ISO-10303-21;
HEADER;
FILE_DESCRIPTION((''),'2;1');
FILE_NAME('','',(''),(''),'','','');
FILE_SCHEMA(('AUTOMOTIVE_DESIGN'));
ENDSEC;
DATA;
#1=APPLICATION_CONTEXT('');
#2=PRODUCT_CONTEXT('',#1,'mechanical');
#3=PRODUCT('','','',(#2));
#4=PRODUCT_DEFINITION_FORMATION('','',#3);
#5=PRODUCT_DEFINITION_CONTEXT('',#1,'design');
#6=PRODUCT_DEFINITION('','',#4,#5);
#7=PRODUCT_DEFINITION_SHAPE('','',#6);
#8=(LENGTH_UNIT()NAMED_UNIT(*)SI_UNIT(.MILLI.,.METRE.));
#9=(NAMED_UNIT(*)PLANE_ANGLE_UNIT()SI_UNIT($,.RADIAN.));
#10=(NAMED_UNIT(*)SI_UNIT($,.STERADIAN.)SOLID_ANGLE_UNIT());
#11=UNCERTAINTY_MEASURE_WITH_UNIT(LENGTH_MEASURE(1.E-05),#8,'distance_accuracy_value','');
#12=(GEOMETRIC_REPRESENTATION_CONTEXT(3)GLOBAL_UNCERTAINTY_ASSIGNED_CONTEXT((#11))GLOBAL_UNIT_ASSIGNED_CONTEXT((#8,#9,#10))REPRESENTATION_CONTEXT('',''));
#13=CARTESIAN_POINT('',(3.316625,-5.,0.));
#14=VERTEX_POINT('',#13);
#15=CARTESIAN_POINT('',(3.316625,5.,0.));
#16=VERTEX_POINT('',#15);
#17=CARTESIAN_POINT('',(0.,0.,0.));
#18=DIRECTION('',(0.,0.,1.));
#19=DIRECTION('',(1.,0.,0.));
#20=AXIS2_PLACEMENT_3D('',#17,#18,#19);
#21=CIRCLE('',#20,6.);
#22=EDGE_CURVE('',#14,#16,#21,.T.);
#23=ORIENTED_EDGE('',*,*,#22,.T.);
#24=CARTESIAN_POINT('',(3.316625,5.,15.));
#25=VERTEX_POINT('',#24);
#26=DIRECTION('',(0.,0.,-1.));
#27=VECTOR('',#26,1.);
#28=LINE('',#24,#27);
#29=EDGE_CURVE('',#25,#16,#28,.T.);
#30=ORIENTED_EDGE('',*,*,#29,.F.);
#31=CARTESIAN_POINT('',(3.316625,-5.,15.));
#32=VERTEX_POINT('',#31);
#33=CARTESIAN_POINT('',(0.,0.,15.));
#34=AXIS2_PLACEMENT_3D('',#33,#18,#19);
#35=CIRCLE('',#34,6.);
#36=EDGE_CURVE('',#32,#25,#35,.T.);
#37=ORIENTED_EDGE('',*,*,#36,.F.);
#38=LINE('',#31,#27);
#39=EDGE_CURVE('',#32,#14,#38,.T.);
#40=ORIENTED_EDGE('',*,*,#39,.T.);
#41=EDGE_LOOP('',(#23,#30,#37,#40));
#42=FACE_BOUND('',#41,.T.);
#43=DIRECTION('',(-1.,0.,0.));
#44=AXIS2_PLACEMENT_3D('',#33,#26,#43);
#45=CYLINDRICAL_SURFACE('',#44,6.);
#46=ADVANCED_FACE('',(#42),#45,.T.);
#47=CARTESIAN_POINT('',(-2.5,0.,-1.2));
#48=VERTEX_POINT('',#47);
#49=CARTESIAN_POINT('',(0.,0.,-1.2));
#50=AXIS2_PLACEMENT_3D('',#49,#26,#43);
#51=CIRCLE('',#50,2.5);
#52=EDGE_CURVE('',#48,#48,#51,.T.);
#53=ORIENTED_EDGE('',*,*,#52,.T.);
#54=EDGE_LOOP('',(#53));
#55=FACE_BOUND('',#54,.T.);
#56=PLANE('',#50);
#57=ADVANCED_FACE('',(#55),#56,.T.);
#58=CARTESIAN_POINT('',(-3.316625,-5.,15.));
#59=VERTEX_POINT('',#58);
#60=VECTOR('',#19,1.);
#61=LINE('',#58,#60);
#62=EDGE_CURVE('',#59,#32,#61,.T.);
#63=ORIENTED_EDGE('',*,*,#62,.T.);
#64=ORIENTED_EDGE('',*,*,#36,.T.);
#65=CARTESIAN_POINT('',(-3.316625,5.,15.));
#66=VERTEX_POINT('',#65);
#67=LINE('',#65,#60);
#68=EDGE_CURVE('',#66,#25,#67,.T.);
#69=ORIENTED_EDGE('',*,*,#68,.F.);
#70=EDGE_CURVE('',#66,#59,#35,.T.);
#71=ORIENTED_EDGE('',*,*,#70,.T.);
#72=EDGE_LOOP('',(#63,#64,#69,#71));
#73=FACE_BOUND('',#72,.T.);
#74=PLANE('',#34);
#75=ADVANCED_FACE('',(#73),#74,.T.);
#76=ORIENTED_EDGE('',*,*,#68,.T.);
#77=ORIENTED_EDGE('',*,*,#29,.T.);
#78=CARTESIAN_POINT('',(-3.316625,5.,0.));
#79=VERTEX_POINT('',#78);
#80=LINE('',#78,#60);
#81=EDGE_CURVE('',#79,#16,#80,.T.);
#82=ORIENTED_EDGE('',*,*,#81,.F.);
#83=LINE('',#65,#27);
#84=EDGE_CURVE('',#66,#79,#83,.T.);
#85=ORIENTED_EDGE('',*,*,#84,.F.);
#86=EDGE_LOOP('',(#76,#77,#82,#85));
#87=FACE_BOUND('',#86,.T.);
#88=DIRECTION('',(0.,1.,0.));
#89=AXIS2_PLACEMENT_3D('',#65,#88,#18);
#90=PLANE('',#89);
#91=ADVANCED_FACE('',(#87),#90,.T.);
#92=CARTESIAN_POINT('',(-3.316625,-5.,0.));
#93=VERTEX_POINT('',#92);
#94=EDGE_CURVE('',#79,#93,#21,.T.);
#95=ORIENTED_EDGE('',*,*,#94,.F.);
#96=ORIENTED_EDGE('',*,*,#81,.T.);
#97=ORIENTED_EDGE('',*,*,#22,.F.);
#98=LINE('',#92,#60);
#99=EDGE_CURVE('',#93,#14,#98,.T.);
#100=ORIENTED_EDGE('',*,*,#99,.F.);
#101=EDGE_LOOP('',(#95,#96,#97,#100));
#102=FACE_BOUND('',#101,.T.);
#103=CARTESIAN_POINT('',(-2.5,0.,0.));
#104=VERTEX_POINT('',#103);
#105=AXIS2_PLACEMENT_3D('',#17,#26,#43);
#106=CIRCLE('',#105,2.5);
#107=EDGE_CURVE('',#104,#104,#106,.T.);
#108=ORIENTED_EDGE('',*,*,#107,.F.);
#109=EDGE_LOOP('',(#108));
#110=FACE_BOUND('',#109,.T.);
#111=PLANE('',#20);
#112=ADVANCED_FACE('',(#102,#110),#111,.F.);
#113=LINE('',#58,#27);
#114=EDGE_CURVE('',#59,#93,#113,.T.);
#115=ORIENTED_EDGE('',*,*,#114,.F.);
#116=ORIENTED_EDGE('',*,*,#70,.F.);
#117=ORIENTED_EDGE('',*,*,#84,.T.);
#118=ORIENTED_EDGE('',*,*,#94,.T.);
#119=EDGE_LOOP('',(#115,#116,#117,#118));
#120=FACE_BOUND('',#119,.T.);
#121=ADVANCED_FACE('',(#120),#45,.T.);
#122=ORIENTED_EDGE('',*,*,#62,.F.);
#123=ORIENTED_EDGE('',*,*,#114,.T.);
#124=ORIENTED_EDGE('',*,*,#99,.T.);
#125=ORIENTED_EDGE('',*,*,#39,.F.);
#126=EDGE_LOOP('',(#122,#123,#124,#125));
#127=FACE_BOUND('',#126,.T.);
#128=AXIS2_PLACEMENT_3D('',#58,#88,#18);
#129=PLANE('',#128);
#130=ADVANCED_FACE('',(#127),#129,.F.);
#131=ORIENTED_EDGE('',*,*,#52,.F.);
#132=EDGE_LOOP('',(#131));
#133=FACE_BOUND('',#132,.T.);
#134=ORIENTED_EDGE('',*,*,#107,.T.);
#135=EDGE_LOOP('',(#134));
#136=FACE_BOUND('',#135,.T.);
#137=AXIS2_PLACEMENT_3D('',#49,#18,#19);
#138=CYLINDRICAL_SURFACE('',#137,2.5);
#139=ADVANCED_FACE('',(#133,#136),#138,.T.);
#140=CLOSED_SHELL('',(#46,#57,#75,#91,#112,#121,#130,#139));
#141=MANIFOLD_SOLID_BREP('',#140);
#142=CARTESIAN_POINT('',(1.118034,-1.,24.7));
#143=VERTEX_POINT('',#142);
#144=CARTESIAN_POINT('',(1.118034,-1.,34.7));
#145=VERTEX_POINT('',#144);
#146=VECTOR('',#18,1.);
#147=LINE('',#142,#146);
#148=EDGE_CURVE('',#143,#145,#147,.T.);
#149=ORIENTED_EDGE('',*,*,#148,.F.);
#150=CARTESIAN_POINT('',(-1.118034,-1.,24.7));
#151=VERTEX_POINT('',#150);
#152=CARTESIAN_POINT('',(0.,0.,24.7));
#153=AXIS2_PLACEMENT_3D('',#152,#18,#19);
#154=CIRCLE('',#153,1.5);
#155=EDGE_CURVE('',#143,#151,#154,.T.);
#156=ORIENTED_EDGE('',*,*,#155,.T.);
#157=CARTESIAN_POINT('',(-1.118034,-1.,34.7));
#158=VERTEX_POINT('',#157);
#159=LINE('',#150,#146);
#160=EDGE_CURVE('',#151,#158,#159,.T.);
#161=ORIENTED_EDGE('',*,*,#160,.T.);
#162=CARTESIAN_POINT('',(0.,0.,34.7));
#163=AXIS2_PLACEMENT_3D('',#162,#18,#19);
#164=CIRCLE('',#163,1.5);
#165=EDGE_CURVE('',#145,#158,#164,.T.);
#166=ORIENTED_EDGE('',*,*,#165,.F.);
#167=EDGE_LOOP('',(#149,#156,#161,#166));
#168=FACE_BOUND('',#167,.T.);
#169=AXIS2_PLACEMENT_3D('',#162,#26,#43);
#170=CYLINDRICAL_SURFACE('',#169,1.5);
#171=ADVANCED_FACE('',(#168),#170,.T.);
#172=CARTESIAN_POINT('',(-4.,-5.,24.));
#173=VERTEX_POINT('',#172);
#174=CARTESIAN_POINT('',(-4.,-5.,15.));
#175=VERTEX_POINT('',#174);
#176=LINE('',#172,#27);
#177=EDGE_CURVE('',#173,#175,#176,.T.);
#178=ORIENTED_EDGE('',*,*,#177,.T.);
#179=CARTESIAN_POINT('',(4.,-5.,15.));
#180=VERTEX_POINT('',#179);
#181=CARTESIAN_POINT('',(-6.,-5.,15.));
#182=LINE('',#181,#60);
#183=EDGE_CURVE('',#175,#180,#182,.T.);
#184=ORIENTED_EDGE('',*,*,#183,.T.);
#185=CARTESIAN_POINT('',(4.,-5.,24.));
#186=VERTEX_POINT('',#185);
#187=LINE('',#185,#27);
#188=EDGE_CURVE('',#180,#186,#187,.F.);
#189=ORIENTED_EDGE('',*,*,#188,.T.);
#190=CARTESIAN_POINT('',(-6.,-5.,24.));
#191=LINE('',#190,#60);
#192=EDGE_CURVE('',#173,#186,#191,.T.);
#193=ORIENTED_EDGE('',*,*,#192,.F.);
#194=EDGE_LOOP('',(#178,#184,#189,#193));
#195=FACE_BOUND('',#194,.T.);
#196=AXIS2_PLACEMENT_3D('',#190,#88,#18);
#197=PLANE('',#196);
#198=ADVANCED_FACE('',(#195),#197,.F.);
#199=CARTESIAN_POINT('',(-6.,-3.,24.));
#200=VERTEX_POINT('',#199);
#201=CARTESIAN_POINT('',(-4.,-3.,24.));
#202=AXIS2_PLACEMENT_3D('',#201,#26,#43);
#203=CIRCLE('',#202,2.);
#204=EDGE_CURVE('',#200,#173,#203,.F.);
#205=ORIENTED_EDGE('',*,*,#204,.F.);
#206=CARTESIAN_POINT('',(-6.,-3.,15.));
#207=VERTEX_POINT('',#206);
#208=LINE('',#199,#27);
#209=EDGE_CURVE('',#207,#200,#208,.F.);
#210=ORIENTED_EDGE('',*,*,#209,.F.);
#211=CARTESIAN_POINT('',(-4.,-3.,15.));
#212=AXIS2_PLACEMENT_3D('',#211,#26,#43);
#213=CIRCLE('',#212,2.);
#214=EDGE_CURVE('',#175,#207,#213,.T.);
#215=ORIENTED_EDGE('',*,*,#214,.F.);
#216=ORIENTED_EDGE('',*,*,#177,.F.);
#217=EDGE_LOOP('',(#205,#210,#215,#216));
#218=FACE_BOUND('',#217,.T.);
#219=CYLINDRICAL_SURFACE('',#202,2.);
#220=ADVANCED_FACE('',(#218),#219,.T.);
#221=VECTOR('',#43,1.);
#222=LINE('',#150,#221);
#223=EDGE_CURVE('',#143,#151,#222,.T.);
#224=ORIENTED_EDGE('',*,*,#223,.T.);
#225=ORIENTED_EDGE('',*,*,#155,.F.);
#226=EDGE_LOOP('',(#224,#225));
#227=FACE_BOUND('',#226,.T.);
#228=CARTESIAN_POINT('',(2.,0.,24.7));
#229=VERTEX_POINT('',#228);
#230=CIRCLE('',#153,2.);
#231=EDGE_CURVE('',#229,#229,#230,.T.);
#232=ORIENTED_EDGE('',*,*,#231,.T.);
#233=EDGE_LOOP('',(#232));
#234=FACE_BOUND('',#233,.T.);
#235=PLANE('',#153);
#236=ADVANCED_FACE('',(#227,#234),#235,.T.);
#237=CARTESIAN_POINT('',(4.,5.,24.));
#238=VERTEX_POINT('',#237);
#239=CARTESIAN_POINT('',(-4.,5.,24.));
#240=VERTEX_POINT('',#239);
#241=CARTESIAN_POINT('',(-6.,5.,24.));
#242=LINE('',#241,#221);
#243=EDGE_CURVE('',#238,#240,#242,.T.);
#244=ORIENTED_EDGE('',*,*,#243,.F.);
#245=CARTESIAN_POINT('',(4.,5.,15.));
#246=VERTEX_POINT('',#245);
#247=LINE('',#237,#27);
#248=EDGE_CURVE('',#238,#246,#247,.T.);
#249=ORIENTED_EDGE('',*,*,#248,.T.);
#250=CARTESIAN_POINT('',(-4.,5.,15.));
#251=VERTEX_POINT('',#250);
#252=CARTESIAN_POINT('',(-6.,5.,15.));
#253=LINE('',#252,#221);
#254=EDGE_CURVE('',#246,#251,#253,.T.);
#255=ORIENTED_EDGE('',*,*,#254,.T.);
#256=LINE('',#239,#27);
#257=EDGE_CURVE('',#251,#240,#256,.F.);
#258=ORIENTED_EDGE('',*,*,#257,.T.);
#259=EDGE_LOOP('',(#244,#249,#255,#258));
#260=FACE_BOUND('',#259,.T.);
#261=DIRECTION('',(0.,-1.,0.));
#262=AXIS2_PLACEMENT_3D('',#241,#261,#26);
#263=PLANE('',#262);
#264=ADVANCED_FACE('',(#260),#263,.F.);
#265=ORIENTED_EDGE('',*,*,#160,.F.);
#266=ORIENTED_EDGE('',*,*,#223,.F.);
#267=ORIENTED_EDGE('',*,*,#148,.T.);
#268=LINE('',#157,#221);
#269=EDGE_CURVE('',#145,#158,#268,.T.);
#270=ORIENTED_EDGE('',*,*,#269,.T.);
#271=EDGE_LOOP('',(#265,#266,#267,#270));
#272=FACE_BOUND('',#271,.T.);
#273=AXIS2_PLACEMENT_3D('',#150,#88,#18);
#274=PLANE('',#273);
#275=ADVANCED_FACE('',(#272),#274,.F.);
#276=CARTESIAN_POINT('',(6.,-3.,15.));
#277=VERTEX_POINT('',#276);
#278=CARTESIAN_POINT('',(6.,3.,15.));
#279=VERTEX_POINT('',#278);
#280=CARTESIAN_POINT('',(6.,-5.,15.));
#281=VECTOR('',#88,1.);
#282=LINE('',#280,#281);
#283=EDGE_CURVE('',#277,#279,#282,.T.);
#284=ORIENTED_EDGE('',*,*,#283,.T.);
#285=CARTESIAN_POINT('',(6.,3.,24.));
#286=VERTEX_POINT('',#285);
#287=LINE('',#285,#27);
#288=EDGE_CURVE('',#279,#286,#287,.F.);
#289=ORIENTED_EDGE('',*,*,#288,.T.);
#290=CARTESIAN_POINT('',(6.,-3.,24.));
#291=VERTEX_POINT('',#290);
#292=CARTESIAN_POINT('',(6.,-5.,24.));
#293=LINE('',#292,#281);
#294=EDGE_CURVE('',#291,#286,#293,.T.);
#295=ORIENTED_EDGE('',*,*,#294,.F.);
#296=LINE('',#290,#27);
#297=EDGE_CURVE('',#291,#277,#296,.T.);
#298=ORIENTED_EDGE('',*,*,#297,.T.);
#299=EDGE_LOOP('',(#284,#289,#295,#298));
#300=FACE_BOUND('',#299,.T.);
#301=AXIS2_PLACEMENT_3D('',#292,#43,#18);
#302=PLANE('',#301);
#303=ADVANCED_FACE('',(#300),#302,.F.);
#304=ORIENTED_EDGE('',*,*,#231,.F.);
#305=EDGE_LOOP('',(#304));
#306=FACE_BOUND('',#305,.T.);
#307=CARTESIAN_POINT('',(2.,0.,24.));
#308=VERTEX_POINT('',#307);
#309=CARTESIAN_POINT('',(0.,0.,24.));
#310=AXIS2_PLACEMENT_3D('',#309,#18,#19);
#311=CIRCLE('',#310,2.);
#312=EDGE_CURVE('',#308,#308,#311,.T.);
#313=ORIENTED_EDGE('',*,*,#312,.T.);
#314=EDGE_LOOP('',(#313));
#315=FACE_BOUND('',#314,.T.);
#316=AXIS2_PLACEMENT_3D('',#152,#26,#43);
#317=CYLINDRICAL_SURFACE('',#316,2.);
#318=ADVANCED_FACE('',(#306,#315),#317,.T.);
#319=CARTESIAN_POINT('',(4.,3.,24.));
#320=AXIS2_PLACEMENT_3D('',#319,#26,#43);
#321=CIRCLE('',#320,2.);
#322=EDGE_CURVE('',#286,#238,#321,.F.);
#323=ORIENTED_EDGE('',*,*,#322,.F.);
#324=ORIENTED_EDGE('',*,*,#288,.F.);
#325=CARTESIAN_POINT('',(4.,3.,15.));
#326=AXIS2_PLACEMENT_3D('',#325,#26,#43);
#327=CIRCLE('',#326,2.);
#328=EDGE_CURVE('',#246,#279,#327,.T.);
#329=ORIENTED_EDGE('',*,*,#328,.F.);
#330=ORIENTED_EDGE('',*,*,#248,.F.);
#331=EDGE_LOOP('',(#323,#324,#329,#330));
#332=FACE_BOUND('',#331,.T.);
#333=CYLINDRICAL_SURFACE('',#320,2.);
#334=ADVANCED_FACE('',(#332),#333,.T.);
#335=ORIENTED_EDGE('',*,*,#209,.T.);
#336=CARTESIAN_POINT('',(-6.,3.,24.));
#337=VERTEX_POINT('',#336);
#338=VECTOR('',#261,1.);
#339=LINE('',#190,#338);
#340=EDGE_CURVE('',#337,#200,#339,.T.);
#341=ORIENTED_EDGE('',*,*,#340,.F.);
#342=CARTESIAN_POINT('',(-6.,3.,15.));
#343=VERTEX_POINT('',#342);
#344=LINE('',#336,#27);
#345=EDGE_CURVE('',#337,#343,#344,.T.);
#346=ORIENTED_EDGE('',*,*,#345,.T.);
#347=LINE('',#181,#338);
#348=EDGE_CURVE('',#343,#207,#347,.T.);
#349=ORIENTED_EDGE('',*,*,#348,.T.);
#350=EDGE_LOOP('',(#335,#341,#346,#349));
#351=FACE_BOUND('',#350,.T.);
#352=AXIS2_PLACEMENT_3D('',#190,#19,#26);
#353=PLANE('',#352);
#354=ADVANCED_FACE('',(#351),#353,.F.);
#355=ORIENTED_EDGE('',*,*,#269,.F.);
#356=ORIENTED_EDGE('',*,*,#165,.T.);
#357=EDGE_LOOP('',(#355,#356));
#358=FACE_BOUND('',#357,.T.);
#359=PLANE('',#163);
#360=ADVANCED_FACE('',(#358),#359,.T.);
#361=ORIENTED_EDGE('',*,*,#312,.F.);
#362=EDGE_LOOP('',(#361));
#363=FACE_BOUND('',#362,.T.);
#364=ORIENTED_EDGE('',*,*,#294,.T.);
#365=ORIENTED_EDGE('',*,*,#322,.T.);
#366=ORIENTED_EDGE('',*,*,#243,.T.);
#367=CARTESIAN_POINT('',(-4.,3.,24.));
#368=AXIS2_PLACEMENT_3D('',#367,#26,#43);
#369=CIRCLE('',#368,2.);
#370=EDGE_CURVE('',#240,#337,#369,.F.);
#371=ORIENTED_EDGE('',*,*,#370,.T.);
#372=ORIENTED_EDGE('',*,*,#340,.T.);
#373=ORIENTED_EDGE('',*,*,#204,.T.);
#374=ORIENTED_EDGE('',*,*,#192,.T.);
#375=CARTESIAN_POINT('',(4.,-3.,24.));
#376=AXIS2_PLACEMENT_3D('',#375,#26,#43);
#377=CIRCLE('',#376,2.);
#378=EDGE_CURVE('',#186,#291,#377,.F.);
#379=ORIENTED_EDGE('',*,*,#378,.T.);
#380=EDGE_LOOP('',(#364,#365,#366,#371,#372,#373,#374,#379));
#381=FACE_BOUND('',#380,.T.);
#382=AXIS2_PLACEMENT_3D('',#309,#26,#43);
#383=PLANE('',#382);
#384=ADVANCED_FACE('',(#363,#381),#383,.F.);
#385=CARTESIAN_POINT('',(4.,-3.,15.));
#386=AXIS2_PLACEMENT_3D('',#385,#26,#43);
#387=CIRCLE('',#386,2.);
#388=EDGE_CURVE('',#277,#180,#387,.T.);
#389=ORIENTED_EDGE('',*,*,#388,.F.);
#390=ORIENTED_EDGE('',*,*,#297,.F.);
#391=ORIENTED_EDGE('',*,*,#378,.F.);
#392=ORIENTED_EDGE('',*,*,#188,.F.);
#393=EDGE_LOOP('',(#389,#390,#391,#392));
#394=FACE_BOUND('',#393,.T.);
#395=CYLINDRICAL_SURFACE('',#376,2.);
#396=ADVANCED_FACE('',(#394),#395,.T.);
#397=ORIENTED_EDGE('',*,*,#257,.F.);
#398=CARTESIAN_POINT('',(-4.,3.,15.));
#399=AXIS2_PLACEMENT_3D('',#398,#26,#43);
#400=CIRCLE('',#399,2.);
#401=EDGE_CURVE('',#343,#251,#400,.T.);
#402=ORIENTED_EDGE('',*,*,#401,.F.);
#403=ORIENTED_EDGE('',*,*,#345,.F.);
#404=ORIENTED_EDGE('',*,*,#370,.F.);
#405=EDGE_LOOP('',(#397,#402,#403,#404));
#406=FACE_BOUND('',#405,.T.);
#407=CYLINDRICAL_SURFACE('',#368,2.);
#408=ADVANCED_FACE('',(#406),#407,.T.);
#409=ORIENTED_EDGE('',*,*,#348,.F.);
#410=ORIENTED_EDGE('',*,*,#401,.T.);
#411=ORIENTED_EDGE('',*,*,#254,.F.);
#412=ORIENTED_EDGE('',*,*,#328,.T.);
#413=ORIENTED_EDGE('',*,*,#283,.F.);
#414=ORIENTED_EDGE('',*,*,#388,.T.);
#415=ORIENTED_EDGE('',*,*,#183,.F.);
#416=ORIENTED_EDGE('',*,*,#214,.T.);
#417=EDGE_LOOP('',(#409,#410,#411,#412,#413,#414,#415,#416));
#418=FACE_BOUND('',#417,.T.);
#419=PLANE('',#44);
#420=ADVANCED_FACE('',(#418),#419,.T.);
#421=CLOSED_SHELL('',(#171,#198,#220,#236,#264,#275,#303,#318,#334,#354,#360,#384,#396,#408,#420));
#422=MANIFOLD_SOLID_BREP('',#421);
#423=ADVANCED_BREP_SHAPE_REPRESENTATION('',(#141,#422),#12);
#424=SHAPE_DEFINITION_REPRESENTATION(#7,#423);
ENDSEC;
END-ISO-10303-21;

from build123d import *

# Parameters (mm, degrees)
EXTRUDE_406_DEPTH      = 15
SKETCH2_R              = 2.5
EXTRUDE_567_DEPTH      = 1.2
SKETCH5_W              = 12
SKETCH5_H              = 10
EXTRUDE_774_DEPTH      = 9
FILLET_814_R           = 2
SKETCH6_R              = 2
EXTRUDE_1143_DEPTH     = 0.7
SKETCH7_R              = 1.5
EXTRUDE_1228_DEPTH     = 10
CUT_EXTRUDE_1344_DEPTH = 10


with BuildPart() as part:
    # Sketch9 → Extrude 406 (new body)
    with BuildSketch(Plane.XY):
        with BuildLine():
            Line((-3.31662479, 5), (3.31662479, 5))
            ThreePointArc((3.31662479, 5), (6, 0), (3.31662479, -5))
            Line((3.31662479, -5), (-3.31662479, -5))
            ThreePointArc((-3.31662479, -5), (-6, 0), (-3.31662479, 5))
        make_face()
    extrude(amount=EXTRUDE_406_DEPTH)

    # Sketch2 → Extrude 567 (add)
    with BuildSketch(Plane(origin=(0, 0, 0), x_dir=(-1, 0, 0), z_dir=(0, 0, -1))):
        Circle(SKETCH2_R)
    extrude(amount=EXTRUDE_567_DEPTH)


with BuildPart() as body_2:
    # Sketch5 → Extrude 774 (new body)
    with BuildSketch(Plane.XY.offset(15)):
        Rectangle(SKETCH5_W, SKETCH5_H)
    extrude(amount=EXTRUDE_774_DEPTH)

    # Fillet 814
    fillet_814_edges = [body_2.edges().sort_by_distance(p)[0] for p in [
        (6, -5, 19.5),
        (-6, -5, 19.5),
        (-6, 5, 19.5),
        (6, 5, 19.5),
    ]]
    fillet(fillet_814_edges, radius=FILLET_814_R)

    # Sketch6 → Extrude 1143 (add)
    with BuildSketch(Plane.XY.offset(24)):
        Circle(SKETCH6_R)
    extrude(amount=EXTRUDE_1143_DEPTH)

    # Sketch7 → Extrude 1228 (add)
    with BuildSketch(Plane.XY.offset(24.7)):
        Circle(SKETCH7_R)
    extrude(amount=EXTRUDE_1228_DEPTH)

    # Sketch8 → Cut-Extrude 1344 (cut)
    with BuildSketch(Plane.XY.offset(34.7)):
        with BuildLine():
            Line((-1.118033989, -1), (1.118033989, -1))
            ThreePointArc((1.118033989, -1), (0, -1.5), (-1.118033989, -1))
        make_face()
    extrude(amount=-CUT_EXTRUDE_1344_DEPTH, mode=Mode.SUBTRACT)


solid = Compound([part.part, body_2.part])
